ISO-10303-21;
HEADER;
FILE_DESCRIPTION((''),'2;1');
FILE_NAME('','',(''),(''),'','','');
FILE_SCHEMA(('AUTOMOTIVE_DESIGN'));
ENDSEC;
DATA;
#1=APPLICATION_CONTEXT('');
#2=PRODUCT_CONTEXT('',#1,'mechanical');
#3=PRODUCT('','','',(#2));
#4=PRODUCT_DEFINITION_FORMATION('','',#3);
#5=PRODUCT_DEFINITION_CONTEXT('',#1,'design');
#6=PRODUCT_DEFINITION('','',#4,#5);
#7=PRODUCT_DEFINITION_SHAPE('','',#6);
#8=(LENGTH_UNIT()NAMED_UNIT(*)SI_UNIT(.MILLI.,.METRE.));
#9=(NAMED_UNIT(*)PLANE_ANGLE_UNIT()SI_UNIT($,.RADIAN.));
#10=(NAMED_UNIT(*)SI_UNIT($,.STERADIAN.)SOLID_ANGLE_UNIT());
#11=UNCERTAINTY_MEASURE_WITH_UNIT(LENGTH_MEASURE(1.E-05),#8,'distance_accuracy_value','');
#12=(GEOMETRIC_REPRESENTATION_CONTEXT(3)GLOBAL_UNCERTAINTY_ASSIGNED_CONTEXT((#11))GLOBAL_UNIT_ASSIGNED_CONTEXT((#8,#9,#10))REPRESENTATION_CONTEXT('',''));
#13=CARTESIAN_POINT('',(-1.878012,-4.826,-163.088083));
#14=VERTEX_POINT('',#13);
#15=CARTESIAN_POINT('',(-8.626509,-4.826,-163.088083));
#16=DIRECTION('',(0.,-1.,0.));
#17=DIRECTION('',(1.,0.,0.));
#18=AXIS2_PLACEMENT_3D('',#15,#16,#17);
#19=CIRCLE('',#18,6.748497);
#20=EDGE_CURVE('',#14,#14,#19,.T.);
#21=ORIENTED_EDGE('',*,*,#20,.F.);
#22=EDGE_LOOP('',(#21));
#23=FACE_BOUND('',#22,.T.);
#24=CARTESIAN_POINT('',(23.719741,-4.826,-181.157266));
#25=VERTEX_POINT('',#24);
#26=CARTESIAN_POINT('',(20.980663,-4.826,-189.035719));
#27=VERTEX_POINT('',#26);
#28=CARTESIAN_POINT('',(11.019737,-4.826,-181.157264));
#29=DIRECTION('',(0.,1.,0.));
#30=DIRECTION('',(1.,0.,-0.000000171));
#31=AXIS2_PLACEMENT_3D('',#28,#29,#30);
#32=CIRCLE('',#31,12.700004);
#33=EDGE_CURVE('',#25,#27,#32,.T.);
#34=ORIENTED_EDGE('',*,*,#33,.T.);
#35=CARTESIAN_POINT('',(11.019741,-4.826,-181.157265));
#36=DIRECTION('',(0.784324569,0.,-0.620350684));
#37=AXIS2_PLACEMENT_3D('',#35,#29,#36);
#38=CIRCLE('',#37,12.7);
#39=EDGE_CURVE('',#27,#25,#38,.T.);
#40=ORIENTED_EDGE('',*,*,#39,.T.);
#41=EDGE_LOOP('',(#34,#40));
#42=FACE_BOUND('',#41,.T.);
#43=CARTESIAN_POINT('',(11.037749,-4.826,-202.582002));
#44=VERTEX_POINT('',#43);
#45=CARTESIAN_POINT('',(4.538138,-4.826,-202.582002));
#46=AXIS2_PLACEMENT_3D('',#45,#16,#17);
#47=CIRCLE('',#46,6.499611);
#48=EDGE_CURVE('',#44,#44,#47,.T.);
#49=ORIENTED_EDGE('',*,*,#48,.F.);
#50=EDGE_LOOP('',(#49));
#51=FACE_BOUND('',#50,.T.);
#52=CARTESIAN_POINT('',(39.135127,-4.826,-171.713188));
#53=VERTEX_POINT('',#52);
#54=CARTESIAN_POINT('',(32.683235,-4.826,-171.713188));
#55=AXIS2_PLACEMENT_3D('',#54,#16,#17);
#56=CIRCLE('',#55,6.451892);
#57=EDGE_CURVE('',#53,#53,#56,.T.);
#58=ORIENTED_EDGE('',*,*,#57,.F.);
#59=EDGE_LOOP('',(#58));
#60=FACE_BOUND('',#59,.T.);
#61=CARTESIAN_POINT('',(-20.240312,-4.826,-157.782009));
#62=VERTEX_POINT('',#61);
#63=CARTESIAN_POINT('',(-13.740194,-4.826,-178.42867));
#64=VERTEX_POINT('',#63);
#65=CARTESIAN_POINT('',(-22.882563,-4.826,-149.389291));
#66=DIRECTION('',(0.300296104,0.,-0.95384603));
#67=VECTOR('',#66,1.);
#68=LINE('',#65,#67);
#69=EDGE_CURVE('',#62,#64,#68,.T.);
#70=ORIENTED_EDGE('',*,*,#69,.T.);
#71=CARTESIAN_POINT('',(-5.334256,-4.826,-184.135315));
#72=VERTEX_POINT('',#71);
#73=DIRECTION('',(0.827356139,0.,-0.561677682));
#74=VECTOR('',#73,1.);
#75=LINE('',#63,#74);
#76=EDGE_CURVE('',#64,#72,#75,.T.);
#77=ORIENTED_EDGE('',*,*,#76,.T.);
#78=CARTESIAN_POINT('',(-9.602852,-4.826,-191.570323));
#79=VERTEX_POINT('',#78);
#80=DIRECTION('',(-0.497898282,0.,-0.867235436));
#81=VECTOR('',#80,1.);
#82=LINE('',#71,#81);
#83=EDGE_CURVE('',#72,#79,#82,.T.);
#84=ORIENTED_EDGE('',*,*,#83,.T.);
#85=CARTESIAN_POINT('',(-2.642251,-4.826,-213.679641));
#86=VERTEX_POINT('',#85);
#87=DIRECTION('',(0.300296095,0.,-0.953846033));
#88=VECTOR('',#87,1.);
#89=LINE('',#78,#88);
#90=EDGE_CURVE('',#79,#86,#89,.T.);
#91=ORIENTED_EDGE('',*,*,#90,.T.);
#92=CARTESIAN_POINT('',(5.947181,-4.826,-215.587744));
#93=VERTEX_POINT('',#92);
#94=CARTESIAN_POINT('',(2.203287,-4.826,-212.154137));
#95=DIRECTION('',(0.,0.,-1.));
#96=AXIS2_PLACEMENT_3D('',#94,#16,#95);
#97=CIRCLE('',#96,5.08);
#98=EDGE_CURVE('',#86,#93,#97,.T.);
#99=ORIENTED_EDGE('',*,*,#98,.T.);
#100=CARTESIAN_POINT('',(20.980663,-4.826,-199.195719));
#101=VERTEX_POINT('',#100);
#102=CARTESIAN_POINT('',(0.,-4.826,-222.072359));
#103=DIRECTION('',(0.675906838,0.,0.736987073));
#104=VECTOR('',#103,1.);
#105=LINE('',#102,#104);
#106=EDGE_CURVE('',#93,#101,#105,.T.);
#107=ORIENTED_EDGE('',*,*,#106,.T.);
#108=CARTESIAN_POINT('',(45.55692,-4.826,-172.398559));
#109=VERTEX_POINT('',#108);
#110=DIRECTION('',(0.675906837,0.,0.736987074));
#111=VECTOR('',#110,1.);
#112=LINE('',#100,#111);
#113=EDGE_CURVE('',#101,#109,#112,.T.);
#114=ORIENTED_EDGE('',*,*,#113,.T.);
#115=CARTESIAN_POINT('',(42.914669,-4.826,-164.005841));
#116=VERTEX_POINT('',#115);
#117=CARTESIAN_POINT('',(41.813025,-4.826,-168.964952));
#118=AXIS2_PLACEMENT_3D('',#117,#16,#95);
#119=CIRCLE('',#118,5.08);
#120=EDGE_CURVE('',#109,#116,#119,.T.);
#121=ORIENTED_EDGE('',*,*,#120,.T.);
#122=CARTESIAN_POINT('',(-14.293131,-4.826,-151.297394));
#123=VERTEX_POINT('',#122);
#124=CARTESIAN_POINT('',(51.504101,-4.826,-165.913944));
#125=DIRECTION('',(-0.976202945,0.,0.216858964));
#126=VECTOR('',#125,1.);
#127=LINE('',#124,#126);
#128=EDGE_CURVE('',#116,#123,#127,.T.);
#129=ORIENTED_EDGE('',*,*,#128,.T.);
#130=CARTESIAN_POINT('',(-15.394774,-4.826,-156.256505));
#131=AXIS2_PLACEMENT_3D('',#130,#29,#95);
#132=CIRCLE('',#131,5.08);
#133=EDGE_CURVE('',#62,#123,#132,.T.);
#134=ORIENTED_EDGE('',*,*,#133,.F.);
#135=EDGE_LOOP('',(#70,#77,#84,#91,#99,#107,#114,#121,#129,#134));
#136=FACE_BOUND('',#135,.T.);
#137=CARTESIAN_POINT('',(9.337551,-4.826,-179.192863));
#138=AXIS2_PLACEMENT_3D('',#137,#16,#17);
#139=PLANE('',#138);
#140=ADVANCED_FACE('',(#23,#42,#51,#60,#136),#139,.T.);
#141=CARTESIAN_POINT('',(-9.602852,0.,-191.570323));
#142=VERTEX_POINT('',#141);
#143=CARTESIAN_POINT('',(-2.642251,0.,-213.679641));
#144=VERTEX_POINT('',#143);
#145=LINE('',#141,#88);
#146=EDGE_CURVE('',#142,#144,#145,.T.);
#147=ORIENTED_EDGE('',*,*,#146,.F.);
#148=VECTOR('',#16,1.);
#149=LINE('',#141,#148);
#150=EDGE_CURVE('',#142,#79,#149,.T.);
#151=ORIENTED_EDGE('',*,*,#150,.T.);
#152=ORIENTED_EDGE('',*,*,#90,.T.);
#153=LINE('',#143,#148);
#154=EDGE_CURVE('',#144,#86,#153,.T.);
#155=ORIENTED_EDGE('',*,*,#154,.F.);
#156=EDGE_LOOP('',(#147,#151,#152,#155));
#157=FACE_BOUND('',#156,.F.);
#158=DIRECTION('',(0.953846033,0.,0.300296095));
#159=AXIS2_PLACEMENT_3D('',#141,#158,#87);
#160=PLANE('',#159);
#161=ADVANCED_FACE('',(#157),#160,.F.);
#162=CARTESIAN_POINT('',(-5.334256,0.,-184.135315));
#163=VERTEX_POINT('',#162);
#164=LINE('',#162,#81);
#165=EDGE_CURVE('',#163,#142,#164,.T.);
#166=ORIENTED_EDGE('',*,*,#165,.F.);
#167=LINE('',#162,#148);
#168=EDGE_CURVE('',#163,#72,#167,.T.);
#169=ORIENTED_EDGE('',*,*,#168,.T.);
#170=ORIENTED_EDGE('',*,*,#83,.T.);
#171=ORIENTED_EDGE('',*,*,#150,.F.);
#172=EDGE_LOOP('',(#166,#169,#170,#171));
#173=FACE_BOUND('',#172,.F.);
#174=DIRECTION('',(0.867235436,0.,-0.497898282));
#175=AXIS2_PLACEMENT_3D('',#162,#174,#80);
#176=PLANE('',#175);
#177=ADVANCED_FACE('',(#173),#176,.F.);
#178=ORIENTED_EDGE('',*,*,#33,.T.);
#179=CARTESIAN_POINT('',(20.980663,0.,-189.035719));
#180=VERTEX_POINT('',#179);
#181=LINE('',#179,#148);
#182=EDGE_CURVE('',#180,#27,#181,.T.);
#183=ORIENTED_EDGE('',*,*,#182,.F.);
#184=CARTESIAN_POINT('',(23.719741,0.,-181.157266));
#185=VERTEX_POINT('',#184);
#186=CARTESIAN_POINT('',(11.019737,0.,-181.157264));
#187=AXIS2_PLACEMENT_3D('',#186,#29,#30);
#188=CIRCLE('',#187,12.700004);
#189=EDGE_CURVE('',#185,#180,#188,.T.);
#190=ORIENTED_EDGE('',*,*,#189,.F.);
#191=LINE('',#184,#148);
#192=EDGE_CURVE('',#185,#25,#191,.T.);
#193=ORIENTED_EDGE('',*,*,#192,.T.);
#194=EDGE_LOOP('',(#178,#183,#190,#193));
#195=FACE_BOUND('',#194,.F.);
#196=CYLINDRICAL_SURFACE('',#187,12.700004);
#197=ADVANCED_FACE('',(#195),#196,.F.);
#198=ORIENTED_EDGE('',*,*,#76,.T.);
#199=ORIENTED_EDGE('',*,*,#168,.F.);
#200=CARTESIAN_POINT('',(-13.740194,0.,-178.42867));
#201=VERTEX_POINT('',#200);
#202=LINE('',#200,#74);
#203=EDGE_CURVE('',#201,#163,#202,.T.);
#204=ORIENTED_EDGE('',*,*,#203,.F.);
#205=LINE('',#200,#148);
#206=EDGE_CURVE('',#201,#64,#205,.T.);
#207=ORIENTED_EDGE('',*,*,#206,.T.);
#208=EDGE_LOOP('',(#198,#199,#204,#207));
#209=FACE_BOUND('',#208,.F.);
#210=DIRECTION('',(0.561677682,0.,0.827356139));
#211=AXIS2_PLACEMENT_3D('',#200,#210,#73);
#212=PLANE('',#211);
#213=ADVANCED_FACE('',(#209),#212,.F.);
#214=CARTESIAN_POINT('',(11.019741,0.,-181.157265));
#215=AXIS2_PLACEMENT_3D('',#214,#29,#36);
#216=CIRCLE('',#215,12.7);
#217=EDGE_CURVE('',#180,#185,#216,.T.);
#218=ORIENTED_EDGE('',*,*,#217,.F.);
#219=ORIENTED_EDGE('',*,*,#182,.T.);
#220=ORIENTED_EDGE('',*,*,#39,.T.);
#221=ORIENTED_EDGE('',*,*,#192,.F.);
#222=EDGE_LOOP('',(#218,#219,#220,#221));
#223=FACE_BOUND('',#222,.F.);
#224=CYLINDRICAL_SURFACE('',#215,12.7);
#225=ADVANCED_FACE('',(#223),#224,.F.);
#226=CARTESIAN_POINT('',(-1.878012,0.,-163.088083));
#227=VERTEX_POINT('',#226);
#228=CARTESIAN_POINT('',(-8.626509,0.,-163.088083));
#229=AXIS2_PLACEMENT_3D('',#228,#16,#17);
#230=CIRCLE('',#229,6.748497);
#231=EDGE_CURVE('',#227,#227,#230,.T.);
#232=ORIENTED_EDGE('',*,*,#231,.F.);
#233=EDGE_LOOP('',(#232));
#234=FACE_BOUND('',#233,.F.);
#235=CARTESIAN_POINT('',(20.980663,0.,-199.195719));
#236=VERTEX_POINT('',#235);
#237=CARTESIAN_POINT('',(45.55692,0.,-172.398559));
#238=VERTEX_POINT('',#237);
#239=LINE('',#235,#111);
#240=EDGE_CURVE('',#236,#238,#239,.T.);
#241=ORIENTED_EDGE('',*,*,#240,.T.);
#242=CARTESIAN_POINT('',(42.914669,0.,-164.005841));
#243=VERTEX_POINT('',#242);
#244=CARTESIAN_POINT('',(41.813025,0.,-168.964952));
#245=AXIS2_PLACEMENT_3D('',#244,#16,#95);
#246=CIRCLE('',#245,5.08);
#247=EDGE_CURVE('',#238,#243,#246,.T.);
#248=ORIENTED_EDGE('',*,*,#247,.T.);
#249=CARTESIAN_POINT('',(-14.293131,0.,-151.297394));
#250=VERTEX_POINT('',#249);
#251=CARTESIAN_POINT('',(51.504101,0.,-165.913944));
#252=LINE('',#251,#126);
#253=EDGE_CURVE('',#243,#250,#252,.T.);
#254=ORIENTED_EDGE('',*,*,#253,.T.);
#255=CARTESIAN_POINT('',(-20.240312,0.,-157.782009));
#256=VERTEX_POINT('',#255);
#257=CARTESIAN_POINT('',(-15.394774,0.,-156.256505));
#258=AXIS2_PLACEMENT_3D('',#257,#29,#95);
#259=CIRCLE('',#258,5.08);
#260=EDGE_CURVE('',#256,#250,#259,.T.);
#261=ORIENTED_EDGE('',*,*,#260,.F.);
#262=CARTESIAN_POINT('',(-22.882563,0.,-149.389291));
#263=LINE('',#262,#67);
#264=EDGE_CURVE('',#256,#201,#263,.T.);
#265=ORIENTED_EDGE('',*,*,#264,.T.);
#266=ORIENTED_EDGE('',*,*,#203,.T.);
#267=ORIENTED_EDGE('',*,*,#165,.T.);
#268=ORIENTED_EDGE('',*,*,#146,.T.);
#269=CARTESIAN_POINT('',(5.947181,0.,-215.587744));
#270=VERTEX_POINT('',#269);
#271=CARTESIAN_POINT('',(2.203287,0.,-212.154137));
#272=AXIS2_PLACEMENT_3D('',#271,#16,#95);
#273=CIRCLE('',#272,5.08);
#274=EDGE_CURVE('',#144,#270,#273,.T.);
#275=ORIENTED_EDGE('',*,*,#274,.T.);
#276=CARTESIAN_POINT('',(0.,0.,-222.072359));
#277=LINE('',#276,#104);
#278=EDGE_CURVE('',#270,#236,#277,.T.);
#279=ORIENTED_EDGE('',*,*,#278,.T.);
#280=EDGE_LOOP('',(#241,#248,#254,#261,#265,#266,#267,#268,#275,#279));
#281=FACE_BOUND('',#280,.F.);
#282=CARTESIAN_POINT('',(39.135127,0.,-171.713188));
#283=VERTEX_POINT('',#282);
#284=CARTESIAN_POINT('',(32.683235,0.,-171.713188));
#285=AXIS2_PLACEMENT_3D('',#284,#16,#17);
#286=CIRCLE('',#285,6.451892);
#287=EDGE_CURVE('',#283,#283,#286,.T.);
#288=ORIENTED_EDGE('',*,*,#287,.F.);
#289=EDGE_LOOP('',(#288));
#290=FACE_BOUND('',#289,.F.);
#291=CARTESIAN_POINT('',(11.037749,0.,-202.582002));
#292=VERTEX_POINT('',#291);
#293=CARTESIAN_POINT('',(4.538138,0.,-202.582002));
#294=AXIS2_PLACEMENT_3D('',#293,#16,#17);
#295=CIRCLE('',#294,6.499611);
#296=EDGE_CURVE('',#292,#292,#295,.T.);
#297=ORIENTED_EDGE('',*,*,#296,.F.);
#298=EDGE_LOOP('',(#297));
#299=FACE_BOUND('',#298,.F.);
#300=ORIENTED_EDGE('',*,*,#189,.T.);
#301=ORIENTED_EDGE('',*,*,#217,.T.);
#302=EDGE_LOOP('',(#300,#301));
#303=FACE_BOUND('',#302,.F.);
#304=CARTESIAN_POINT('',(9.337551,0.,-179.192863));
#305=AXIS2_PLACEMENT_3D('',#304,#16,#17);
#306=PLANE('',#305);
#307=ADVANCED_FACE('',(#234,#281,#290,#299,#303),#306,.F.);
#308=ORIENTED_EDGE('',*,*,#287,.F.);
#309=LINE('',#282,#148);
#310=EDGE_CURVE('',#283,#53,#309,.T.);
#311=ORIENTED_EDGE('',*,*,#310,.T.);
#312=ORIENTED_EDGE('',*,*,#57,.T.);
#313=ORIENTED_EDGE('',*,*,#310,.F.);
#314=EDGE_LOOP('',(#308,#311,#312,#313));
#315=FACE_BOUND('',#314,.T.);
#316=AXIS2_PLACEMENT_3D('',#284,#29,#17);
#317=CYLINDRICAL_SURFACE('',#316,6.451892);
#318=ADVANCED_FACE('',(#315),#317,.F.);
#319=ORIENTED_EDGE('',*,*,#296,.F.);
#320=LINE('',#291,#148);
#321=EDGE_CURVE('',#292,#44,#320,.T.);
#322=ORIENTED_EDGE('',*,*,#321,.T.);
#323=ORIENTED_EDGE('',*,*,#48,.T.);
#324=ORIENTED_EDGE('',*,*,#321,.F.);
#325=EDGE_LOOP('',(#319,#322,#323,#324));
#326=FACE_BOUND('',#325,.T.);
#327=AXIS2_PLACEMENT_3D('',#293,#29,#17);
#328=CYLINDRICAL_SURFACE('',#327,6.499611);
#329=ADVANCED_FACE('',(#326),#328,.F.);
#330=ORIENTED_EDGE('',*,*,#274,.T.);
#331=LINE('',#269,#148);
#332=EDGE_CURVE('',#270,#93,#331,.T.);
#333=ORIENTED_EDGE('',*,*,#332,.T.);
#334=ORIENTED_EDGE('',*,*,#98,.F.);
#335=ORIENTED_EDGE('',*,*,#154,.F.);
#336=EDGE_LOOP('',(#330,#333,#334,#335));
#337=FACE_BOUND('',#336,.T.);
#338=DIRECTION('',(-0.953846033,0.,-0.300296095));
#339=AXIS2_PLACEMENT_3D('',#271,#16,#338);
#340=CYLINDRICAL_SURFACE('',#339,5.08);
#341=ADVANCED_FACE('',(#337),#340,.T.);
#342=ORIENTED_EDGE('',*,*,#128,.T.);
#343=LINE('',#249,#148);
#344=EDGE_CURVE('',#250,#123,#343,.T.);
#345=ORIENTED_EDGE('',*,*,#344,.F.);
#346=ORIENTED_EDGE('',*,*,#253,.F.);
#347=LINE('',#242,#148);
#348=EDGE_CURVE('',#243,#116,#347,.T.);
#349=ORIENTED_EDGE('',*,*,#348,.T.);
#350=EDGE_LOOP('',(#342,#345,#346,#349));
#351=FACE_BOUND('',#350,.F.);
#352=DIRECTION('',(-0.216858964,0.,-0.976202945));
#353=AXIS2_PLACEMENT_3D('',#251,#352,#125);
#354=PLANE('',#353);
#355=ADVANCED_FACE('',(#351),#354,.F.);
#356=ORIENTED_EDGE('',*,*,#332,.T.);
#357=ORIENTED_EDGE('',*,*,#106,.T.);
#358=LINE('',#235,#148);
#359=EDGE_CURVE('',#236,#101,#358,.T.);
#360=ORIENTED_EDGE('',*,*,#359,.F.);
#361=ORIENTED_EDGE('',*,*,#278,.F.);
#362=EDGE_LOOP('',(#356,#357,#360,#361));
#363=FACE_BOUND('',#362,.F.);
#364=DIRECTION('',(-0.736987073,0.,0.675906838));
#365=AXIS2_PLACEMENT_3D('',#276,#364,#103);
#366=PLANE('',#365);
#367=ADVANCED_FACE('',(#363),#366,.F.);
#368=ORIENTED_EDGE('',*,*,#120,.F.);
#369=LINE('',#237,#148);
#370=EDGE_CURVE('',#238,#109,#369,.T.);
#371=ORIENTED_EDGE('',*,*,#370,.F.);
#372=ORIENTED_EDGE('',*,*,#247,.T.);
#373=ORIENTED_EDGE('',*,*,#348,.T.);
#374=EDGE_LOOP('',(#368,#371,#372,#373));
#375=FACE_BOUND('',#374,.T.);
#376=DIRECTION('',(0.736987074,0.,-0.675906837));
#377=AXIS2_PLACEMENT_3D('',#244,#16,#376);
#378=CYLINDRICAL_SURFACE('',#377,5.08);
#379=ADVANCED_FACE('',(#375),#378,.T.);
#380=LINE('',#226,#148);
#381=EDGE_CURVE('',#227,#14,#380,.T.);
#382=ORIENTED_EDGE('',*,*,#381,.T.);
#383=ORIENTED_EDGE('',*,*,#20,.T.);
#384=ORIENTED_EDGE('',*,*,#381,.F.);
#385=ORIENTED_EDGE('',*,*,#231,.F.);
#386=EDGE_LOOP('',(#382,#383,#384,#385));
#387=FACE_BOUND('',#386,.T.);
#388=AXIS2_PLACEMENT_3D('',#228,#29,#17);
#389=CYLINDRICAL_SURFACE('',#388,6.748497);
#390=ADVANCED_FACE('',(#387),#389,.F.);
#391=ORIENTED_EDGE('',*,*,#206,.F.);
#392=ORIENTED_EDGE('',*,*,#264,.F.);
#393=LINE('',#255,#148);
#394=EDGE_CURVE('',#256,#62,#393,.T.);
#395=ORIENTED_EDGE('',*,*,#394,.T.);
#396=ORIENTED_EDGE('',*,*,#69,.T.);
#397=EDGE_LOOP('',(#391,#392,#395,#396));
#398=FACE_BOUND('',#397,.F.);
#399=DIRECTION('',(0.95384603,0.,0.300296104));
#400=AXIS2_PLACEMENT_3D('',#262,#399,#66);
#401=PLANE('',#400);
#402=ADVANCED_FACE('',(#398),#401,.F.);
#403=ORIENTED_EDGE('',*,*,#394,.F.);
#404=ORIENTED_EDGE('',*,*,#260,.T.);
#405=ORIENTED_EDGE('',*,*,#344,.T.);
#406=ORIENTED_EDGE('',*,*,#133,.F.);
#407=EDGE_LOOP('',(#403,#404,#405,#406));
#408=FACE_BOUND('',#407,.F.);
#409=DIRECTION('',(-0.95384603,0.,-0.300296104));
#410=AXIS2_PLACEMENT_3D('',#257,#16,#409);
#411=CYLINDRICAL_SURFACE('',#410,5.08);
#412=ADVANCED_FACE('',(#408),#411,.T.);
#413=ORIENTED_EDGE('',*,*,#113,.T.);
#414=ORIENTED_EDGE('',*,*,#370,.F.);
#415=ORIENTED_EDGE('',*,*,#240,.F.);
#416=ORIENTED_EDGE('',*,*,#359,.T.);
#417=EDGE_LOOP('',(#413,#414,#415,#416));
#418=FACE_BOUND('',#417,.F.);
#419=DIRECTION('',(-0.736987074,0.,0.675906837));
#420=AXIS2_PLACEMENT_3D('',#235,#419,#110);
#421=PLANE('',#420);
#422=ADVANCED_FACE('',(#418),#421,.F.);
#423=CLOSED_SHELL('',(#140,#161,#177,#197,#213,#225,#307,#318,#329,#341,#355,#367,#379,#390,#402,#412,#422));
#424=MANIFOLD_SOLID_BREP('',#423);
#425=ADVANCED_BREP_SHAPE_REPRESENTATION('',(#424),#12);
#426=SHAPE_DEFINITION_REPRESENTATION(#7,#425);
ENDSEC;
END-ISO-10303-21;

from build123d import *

# Parameters (mm, degrees)
F0_R     = 6.499611
F0_R_2   = 6.748497
F0_R_3   = 6.451892
F1_DEPTH = 4.826
F2_R     = 5.08


with BuildPart() as f1:
    # F0 (on Front) → F1 (new body)
    with BuildSketch(Plane.XZ):
        Polygon((-9.602852, -191.570323), (0, -222.072359), (20.980663, -199.195719), (51.504101, -165.913944), (-22.882563, -149.389291), (-13.740194, -178.42867), (-5.334256, -184.135315), align=None)
        with Locations((4.538138, -202.582002)):
            Circle(F0_R, mode=Mode.SUBTRACT)
        with BuildLine():
            ThreePointArc((23.719741, -181.157266), (23.015442, -185.327775), (20.980663, -189.035719))
            ThreePointArc((20.980663, -189.035719), (-0.975961, -176.986757), (23.719741, -181.157266))
        make_face(mode=Mode.SUBTRACT)
        with Locations((-8.626509, -163.088083)):
            Circle(F0_R_2, mode=Mode.SUBTRACT)
        with Locations((32.683235, -171.713188)):
            Circle(F0_R_3, mode=Mode.SUBTRACT)
    extrude(amount=F1_DEPTH)

    # F2
    f2_edges = [f1.edges().sort_by_distance(p)[0] for p in [
        (0, -2.413, -222.072359),
        (51.504101, -2.413, -165.913944),
        (-22.882563, -2.413, -149.389291),
    ]]
    fillet(f2_edges, radius=F2_R)


solid = f1.part
